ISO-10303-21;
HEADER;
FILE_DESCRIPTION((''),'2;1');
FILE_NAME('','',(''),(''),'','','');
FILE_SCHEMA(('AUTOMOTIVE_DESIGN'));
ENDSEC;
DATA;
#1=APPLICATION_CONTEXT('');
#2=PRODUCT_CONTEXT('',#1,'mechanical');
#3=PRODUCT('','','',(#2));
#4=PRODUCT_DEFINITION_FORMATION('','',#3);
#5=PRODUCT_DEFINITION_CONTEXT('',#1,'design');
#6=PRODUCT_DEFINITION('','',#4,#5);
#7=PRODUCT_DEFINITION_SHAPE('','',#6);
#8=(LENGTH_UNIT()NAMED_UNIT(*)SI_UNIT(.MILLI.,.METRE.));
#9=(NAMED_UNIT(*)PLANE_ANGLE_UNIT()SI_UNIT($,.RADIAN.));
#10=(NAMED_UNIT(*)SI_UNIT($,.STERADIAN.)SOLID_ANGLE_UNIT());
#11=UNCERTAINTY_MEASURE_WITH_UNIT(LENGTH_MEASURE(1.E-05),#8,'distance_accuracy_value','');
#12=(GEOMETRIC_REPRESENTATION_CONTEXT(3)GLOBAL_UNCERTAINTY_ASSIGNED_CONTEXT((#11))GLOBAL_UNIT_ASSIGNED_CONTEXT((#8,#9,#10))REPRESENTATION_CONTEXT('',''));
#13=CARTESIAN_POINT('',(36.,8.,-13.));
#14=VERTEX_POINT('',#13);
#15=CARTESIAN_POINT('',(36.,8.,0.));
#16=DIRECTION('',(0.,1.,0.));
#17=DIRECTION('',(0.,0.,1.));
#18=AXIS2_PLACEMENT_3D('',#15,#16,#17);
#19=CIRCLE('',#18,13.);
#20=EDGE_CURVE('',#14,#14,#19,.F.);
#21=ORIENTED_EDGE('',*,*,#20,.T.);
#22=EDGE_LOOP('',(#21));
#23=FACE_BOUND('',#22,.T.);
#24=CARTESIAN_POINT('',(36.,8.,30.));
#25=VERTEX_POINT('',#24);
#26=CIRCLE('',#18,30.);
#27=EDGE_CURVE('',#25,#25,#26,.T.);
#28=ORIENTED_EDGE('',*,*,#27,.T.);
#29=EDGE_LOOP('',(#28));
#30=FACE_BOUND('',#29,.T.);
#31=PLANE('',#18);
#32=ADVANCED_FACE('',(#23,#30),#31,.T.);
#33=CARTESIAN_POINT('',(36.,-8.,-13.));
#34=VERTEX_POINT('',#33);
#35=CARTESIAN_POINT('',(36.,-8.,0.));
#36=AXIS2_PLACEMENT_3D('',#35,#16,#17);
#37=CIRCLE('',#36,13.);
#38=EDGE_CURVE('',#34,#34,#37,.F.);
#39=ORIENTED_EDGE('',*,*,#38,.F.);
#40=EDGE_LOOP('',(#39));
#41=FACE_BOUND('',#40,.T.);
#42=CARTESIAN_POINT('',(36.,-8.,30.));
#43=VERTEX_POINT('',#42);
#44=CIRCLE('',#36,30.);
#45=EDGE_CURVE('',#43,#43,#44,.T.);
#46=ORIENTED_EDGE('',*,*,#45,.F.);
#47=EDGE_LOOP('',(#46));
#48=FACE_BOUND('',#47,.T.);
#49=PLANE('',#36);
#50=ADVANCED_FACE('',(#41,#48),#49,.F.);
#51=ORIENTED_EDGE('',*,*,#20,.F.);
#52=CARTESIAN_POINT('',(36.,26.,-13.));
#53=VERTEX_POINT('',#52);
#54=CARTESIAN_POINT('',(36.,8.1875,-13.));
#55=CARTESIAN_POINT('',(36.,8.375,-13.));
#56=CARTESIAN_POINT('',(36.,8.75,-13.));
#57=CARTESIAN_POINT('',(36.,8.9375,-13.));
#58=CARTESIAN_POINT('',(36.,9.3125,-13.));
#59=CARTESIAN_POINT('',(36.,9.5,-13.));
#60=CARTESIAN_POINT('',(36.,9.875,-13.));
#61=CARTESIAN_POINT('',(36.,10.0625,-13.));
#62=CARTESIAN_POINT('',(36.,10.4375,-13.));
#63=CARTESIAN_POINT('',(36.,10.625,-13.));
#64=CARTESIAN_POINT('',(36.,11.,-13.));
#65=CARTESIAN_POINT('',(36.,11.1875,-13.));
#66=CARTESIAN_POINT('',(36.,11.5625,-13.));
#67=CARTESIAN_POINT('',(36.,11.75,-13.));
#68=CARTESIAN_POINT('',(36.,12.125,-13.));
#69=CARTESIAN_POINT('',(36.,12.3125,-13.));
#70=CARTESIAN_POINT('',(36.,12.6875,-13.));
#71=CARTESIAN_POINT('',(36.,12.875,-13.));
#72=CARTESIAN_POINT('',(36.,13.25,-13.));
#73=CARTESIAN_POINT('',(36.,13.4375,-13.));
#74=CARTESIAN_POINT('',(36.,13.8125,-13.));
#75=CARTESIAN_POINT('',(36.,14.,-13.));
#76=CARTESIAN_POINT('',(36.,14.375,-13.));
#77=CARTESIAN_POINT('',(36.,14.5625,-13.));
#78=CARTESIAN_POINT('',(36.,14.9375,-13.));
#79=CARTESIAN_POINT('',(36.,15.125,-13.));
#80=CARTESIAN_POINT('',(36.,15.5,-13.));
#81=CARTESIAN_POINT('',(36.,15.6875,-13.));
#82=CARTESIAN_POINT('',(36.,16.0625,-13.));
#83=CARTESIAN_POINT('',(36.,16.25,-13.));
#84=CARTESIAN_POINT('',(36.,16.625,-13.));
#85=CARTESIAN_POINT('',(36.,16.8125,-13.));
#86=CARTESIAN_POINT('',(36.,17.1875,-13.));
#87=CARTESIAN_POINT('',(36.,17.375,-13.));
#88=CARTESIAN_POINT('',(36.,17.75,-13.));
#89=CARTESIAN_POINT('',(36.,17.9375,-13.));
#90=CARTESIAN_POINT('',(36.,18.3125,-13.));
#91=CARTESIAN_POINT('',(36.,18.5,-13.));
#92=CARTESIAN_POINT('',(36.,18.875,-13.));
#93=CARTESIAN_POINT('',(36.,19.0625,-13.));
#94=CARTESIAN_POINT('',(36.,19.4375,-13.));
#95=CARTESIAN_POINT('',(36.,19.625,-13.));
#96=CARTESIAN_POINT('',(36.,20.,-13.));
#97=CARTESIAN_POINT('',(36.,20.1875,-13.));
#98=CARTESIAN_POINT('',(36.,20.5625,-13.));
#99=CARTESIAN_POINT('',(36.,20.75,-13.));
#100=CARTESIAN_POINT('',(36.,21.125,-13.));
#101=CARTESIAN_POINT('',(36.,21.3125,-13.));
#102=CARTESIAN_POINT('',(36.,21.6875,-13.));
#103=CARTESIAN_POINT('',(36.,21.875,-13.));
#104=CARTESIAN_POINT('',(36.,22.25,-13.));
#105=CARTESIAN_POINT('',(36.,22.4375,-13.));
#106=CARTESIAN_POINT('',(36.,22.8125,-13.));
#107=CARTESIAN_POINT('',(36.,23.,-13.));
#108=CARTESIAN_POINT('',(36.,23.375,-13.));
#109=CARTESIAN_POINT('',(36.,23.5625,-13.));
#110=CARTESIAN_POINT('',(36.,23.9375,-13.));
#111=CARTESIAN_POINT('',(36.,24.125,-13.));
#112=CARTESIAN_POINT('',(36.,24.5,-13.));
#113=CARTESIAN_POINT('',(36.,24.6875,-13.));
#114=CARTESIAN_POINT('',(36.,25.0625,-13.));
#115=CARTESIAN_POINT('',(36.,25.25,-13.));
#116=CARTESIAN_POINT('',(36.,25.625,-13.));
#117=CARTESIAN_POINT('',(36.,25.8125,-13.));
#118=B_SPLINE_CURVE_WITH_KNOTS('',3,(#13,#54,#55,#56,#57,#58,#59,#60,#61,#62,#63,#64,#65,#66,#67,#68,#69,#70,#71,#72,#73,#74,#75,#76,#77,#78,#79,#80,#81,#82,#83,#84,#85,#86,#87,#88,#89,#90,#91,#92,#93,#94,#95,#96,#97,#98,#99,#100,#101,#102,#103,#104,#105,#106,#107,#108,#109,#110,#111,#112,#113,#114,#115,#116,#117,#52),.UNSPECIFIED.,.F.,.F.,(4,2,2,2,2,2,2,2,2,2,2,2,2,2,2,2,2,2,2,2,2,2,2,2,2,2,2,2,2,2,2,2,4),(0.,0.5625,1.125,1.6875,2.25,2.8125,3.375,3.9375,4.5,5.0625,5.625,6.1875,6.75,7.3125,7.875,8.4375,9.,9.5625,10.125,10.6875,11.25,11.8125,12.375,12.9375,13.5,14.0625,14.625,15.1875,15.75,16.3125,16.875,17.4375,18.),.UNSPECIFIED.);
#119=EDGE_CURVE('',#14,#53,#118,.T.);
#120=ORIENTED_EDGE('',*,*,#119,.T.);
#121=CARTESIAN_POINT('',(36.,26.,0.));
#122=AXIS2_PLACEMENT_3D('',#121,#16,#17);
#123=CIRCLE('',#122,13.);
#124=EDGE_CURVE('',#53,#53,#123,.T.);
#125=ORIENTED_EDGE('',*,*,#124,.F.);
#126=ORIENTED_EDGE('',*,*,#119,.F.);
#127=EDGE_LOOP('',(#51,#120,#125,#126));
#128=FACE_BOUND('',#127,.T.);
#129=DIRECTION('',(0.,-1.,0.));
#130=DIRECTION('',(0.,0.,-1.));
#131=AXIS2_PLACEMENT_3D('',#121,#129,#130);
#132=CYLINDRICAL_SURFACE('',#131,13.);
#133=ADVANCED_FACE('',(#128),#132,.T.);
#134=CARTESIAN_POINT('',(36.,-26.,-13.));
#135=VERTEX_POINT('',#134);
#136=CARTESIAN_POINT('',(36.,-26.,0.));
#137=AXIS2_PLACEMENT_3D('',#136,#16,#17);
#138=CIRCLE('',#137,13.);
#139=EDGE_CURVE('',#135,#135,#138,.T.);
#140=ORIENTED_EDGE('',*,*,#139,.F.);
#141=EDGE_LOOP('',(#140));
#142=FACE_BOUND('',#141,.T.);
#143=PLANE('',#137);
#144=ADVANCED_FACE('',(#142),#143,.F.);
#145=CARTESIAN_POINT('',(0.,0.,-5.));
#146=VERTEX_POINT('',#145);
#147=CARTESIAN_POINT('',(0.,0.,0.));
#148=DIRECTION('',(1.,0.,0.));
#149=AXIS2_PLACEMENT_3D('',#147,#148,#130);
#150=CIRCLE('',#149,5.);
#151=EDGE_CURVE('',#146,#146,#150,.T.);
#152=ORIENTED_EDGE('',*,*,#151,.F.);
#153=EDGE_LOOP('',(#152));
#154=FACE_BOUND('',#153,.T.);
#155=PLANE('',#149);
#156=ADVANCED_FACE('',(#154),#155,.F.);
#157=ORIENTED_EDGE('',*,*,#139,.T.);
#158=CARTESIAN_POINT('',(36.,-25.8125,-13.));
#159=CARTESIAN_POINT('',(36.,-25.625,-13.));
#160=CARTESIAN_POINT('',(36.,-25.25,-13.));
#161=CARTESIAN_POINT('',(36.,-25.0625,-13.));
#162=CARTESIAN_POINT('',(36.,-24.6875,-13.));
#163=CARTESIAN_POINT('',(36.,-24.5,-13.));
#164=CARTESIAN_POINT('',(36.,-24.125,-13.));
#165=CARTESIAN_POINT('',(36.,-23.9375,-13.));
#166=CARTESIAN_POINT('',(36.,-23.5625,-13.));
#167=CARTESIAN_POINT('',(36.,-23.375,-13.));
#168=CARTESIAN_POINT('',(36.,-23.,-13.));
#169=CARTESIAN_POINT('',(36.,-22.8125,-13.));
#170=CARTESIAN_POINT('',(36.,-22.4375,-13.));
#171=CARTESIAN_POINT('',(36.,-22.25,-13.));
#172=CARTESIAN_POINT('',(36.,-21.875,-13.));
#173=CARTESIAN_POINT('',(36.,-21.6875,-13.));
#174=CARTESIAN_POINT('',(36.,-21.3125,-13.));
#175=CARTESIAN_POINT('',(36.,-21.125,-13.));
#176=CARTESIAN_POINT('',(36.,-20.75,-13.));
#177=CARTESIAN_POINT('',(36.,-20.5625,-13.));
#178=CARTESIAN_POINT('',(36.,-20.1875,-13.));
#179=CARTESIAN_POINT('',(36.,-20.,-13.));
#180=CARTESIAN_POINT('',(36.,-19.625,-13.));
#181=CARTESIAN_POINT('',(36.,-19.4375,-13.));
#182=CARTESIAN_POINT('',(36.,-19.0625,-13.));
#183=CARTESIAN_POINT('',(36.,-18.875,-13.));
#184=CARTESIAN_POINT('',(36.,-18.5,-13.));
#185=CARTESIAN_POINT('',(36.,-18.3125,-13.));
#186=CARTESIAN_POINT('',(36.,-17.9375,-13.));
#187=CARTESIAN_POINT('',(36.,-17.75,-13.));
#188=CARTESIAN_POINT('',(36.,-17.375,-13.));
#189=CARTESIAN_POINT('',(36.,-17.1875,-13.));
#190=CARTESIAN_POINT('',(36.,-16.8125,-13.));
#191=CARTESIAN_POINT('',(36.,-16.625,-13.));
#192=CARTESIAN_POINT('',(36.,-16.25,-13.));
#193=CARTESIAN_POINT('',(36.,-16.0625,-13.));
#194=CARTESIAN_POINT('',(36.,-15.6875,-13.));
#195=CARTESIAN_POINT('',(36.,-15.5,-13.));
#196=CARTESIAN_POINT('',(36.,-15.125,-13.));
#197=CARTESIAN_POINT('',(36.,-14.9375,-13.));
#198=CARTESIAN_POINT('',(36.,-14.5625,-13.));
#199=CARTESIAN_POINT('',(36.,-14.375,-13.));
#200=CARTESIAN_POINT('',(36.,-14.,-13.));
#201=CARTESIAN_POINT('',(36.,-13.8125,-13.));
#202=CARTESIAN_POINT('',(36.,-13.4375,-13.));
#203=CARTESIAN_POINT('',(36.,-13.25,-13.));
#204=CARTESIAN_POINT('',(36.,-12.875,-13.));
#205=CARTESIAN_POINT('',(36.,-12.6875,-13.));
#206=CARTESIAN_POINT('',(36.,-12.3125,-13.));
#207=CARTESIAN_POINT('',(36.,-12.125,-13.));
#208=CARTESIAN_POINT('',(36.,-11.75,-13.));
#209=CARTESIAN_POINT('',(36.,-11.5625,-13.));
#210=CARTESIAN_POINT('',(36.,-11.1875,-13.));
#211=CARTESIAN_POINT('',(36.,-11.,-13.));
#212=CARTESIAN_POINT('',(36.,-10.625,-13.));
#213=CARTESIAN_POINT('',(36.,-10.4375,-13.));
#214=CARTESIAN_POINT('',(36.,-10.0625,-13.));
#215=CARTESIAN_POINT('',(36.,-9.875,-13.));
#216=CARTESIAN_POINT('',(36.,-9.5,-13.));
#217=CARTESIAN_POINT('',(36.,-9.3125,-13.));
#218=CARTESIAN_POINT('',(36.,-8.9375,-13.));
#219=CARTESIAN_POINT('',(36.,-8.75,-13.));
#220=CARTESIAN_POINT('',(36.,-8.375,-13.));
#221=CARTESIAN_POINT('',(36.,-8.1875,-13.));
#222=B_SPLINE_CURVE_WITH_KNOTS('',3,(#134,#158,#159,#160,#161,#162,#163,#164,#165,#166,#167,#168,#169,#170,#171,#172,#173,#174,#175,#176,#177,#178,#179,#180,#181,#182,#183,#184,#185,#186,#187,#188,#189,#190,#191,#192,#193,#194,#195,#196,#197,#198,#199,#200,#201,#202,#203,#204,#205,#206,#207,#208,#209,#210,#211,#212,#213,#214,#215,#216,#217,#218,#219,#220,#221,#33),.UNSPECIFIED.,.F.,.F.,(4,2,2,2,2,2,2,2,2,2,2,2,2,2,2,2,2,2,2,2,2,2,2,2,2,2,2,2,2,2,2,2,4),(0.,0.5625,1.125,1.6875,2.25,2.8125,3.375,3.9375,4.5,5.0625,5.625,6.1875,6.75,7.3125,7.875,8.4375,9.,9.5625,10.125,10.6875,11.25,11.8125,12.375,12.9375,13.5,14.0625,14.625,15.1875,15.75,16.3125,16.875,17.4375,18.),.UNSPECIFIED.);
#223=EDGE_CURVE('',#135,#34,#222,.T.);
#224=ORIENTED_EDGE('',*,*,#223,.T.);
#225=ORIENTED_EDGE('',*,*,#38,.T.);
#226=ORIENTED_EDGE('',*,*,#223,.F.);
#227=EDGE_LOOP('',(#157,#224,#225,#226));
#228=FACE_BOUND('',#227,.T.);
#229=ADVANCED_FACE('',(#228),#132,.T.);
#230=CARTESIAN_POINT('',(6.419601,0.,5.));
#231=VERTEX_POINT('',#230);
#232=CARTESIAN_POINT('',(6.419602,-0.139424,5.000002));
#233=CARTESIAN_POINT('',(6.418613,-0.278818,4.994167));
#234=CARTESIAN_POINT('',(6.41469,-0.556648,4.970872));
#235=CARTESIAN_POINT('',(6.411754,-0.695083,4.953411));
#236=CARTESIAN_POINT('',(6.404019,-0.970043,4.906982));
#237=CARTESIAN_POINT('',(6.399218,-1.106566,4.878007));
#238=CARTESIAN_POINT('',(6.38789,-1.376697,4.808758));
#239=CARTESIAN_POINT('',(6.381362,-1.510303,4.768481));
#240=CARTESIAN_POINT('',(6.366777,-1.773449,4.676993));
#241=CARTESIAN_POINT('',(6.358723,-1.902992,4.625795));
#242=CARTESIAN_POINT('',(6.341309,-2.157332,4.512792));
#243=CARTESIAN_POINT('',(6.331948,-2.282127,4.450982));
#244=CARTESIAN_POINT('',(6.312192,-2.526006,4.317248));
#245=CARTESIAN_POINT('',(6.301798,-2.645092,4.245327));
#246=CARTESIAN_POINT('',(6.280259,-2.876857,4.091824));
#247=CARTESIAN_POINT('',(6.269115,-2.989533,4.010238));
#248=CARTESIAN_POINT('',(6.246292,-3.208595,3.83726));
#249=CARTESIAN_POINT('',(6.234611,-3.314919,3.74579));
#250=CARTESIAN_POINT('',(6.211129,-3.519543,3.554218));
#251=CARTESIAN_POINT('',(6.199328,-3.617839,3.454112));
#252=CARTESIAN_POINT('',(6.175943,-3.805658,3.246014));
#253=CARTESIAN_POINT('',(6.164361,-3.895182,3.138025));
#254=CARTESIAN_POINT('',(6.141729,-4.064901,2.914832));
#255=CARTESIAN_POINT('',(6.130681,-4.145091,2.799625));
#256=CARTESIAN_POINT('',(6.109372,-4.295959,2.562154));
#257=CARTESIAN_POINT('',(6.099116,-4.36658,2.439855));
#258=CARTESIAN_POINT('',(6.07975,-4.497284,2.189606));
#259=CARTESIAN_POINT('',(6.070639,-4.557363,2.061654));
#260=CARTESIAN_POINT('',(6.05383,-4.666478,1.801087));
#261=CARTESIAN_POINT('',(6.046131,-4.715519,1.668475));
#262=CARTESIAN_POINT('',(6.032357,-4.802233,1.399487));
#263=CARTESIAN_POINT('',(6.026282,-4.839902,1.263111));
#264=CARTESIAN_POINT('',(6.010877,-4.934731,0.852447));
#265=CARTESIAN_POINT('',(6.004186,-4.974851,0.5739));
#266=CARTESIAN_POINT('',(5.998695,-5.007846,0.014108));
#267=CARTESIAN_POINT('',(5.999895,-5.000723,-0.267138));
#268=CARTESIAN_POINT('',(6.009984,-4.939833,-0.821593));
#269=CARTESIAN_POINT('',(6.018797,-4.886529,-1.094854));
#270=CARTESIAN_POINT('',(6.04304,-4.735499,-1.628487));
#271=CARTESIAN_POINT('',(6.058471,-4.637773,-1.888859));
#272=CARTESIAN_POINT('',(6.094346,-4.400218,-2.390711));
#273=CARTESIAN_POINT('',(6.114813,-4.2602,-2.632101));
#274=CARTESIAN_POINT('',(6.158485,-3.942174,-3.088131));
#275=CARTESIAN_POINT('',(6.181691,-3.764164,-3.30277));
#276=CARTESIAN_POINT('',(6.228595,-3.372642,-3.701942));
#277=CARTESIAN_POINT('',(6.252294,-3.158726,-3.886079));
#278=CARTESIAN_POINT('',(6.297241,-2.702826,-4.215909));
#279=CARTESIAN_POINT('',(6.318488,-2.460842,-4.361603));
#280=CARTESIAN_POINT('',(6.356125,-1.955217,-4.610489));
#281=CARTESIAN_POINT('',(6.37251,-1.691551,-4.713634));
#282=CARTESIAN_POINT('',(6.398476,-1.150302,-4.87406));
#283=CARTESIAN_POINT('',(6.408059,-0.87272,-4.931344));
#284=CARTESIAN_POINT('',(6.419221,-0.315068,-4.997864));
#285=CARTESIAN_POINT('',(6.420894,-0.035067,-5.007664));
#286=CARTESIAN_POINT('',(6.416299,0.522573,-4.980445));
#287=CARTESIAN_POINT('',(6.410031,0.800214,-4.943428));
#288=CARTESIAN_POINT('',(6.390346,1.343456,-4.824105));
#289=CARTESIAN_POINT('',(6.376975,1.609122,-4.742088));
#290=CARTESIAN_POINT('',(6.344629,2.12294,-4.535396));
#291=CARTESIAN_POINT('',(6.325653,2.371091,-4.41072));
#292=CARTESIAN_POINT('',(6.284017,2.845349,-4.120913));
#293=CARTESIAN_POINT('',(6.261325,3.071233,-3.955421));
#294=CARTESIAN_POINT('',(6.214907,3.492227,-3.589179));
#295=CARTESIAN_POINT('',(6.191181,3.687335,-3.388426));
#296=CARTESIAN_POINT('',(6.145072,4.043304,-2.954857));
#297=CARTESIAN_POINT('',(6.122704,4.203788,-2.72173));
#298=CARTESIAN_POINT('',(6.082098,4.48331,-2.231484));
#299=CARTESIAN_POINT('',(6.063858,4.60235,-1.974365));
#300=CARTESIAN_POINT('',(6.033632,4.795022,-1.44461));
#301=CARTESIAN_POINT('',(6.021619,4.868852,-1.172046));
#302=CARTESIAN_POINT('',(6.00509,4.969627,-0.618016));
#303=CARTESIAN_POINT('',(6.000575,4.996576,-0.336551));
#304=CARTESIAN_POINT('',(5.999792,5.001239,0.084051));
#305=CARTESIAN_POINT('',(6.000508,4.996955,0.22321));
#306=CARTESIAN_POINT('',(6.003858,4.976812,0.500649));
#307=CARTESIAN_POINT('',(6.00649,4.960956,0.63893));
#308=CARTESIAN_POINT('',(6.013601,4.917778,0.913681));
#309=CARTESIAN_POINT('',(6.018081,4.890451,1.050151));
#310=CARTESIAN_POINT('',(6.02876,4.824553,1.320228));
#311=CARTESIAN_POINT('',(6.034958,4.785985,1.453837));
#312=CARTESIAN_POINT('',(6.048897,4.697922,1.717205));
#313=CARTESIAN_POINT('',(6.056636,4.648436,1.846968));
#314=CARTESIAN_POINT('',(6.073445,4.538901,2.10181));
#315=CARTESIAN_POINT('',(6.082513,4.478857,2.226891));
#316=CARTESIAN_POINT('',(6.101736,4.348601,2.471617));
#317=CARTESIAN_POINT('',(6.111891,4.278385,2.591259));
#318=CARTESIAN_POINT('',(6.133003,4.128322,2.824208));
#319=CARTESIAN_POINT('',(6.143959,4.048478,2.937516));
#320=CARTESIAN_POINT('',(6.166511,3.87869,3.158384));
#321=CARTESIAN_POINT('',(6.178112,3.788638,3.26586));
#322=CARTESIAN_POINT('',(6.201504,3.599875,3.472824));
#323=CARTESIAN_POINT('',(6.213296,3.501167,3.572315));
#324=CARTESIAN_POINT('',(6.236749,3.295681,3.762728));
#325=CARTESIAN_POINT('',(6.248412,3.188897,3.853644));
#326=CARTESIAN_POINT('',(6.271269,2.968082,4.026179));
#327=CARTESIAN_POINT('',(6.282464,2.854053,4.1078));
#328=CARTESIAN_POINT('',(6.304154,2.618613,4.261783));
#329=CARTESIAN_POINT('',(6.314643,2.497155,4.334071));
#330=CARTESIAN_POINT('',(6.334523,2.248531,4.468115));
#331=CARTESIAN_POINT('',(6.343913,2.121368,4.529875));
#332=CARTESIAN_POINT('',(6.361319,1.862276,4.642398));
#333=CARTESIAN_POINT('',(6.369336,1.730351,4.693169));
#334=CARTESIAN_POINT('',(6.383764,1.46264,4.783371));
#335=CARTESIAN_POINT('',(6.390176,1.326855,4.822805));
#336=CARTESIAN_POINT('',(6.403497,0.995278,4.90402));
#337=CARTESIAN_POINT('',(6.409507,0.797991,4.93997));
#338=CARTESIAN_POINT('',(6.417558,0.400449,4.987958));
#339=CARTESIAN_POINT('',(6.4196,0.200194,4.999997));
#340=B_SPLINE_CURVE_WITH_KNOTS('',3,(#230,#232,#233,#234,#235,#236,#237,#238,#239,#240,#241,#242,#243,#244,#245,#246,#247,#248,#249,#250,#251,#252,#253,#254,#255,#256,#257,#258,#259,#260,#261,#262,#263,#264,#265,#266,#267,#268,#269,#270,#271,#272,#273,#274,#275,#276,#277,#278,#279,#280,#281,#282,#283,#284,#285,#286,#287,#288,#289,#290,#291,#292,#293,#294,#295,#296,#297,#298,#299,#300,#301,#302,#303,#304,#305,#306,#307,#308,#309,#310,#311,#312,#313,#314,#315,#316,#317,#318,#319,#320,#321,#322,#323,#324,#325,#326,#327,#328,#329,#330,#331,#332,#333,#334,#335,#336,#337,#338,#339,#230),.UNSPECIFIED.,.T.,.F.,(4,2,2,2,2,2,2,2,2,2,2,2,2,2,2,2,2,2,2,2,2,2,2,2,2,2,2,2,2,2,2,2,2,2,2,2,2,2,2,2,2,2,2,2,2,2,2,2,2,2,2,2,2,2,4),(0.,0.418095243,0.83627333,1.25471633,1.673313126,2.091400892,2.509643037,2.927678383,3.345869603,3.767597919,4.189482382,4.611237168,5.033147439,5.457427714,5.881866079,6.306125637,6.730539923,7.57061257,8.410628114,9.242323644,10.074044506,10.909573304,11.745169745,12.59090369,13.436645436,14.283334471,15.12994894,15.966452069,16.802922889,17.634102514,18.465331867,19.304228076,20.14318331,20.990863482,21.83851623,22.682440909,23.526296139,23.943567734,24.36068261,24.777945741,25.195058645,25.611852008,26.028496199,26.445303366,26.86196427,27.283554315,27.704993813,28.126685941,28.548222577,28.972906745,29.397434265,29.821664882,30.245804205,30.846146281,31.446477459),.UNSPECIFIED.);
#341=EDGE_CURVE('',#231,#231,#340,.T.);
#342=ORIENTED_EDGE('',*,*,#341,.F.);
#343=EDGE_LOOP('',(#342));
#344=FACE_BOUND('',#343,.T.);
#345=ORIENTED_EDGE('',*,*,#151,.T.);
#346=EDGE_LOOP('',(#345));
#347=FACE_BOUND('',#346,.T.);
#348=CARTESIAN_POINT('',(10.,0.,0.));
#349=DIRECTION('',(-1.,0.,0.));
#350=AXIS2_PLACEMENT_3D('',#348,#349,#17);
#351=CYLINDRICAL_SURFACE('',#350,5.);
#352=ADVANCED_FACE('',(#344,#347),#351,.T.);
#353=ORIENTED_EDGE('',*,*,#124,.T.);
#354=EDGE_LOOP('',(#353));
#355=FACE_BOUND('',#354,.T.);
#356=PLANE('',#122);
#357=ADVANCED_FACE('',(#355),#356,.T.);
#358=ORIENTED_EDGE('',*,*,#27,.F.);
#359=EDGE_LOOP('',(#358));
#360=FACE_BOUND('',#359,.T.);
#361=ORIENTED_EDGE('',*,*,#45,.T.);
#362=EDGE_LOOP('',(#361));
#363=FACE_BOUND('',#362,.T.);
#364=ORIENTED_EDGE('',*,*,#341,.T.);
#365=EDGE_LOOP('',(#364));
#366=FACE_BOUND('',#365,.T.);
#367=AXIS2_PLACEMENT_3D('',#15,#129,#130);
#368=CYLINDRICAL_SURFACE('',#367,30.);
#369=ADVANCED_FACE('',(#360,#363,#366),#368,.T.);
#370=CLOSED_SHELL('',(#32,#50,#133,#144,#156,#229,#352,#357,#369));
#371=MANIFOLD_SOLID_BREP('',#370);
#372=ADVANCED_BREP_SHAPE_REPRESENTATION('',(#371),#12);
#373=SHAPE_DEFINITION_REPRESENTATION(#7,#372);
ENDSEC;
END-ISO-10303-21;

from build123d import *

# Parameters (mm, degrees)
SKETCH1_R           = 5
BOSS_EXTRUDE1_DEPTH = 10
SKETCH2_R           = 30
BOSS_EXTRUDE2_DEPTH = 8
SKETCH3_R           = 13
BOSS_EXTRUDE3_DEPTH = 26


with BuildPart() as part:
    # Sketch1 → Boss-Extrude1 (new body)
    with BuildSketch(Plane(origin=(0, 0, 0), x_dir=(0, 0, -1), z_dir=(1, 0, 0))):
        Circle(SKETCH1_R)
    extrude(amount=BOSS_EXTRUDE1_DEPTH)

    # Sketch2 → Boss-Extrude2 (add, symmetric)
    with BuildSketch(Plane(origin=(0, 0, 0), x_dir=(1, 0, 0), z_dir=(0, 1, 0))):
        with Locations(Location((36, 0, 0), (0, 0, 270))):
            Circle(SKETCH2_R)
    extrude(amount=BOSS_EXTRUDE2_DEPTH, both=True)

    # Sketch3 → Boss-Extrude3 (add, symmetric)
    with BuildSketch(Plane(origin=(0, 0, 0), x_dir=(1, 0, 0), z_dir=(0, 1, 0))):
        with Locations(Location((36, 0, 0), (0, 0, 90))):
            Circle(SKETCH3_R)
    extrude(amount=BOSS_EXTRUDE3_DEPTH, both=True)


solid = part.part
